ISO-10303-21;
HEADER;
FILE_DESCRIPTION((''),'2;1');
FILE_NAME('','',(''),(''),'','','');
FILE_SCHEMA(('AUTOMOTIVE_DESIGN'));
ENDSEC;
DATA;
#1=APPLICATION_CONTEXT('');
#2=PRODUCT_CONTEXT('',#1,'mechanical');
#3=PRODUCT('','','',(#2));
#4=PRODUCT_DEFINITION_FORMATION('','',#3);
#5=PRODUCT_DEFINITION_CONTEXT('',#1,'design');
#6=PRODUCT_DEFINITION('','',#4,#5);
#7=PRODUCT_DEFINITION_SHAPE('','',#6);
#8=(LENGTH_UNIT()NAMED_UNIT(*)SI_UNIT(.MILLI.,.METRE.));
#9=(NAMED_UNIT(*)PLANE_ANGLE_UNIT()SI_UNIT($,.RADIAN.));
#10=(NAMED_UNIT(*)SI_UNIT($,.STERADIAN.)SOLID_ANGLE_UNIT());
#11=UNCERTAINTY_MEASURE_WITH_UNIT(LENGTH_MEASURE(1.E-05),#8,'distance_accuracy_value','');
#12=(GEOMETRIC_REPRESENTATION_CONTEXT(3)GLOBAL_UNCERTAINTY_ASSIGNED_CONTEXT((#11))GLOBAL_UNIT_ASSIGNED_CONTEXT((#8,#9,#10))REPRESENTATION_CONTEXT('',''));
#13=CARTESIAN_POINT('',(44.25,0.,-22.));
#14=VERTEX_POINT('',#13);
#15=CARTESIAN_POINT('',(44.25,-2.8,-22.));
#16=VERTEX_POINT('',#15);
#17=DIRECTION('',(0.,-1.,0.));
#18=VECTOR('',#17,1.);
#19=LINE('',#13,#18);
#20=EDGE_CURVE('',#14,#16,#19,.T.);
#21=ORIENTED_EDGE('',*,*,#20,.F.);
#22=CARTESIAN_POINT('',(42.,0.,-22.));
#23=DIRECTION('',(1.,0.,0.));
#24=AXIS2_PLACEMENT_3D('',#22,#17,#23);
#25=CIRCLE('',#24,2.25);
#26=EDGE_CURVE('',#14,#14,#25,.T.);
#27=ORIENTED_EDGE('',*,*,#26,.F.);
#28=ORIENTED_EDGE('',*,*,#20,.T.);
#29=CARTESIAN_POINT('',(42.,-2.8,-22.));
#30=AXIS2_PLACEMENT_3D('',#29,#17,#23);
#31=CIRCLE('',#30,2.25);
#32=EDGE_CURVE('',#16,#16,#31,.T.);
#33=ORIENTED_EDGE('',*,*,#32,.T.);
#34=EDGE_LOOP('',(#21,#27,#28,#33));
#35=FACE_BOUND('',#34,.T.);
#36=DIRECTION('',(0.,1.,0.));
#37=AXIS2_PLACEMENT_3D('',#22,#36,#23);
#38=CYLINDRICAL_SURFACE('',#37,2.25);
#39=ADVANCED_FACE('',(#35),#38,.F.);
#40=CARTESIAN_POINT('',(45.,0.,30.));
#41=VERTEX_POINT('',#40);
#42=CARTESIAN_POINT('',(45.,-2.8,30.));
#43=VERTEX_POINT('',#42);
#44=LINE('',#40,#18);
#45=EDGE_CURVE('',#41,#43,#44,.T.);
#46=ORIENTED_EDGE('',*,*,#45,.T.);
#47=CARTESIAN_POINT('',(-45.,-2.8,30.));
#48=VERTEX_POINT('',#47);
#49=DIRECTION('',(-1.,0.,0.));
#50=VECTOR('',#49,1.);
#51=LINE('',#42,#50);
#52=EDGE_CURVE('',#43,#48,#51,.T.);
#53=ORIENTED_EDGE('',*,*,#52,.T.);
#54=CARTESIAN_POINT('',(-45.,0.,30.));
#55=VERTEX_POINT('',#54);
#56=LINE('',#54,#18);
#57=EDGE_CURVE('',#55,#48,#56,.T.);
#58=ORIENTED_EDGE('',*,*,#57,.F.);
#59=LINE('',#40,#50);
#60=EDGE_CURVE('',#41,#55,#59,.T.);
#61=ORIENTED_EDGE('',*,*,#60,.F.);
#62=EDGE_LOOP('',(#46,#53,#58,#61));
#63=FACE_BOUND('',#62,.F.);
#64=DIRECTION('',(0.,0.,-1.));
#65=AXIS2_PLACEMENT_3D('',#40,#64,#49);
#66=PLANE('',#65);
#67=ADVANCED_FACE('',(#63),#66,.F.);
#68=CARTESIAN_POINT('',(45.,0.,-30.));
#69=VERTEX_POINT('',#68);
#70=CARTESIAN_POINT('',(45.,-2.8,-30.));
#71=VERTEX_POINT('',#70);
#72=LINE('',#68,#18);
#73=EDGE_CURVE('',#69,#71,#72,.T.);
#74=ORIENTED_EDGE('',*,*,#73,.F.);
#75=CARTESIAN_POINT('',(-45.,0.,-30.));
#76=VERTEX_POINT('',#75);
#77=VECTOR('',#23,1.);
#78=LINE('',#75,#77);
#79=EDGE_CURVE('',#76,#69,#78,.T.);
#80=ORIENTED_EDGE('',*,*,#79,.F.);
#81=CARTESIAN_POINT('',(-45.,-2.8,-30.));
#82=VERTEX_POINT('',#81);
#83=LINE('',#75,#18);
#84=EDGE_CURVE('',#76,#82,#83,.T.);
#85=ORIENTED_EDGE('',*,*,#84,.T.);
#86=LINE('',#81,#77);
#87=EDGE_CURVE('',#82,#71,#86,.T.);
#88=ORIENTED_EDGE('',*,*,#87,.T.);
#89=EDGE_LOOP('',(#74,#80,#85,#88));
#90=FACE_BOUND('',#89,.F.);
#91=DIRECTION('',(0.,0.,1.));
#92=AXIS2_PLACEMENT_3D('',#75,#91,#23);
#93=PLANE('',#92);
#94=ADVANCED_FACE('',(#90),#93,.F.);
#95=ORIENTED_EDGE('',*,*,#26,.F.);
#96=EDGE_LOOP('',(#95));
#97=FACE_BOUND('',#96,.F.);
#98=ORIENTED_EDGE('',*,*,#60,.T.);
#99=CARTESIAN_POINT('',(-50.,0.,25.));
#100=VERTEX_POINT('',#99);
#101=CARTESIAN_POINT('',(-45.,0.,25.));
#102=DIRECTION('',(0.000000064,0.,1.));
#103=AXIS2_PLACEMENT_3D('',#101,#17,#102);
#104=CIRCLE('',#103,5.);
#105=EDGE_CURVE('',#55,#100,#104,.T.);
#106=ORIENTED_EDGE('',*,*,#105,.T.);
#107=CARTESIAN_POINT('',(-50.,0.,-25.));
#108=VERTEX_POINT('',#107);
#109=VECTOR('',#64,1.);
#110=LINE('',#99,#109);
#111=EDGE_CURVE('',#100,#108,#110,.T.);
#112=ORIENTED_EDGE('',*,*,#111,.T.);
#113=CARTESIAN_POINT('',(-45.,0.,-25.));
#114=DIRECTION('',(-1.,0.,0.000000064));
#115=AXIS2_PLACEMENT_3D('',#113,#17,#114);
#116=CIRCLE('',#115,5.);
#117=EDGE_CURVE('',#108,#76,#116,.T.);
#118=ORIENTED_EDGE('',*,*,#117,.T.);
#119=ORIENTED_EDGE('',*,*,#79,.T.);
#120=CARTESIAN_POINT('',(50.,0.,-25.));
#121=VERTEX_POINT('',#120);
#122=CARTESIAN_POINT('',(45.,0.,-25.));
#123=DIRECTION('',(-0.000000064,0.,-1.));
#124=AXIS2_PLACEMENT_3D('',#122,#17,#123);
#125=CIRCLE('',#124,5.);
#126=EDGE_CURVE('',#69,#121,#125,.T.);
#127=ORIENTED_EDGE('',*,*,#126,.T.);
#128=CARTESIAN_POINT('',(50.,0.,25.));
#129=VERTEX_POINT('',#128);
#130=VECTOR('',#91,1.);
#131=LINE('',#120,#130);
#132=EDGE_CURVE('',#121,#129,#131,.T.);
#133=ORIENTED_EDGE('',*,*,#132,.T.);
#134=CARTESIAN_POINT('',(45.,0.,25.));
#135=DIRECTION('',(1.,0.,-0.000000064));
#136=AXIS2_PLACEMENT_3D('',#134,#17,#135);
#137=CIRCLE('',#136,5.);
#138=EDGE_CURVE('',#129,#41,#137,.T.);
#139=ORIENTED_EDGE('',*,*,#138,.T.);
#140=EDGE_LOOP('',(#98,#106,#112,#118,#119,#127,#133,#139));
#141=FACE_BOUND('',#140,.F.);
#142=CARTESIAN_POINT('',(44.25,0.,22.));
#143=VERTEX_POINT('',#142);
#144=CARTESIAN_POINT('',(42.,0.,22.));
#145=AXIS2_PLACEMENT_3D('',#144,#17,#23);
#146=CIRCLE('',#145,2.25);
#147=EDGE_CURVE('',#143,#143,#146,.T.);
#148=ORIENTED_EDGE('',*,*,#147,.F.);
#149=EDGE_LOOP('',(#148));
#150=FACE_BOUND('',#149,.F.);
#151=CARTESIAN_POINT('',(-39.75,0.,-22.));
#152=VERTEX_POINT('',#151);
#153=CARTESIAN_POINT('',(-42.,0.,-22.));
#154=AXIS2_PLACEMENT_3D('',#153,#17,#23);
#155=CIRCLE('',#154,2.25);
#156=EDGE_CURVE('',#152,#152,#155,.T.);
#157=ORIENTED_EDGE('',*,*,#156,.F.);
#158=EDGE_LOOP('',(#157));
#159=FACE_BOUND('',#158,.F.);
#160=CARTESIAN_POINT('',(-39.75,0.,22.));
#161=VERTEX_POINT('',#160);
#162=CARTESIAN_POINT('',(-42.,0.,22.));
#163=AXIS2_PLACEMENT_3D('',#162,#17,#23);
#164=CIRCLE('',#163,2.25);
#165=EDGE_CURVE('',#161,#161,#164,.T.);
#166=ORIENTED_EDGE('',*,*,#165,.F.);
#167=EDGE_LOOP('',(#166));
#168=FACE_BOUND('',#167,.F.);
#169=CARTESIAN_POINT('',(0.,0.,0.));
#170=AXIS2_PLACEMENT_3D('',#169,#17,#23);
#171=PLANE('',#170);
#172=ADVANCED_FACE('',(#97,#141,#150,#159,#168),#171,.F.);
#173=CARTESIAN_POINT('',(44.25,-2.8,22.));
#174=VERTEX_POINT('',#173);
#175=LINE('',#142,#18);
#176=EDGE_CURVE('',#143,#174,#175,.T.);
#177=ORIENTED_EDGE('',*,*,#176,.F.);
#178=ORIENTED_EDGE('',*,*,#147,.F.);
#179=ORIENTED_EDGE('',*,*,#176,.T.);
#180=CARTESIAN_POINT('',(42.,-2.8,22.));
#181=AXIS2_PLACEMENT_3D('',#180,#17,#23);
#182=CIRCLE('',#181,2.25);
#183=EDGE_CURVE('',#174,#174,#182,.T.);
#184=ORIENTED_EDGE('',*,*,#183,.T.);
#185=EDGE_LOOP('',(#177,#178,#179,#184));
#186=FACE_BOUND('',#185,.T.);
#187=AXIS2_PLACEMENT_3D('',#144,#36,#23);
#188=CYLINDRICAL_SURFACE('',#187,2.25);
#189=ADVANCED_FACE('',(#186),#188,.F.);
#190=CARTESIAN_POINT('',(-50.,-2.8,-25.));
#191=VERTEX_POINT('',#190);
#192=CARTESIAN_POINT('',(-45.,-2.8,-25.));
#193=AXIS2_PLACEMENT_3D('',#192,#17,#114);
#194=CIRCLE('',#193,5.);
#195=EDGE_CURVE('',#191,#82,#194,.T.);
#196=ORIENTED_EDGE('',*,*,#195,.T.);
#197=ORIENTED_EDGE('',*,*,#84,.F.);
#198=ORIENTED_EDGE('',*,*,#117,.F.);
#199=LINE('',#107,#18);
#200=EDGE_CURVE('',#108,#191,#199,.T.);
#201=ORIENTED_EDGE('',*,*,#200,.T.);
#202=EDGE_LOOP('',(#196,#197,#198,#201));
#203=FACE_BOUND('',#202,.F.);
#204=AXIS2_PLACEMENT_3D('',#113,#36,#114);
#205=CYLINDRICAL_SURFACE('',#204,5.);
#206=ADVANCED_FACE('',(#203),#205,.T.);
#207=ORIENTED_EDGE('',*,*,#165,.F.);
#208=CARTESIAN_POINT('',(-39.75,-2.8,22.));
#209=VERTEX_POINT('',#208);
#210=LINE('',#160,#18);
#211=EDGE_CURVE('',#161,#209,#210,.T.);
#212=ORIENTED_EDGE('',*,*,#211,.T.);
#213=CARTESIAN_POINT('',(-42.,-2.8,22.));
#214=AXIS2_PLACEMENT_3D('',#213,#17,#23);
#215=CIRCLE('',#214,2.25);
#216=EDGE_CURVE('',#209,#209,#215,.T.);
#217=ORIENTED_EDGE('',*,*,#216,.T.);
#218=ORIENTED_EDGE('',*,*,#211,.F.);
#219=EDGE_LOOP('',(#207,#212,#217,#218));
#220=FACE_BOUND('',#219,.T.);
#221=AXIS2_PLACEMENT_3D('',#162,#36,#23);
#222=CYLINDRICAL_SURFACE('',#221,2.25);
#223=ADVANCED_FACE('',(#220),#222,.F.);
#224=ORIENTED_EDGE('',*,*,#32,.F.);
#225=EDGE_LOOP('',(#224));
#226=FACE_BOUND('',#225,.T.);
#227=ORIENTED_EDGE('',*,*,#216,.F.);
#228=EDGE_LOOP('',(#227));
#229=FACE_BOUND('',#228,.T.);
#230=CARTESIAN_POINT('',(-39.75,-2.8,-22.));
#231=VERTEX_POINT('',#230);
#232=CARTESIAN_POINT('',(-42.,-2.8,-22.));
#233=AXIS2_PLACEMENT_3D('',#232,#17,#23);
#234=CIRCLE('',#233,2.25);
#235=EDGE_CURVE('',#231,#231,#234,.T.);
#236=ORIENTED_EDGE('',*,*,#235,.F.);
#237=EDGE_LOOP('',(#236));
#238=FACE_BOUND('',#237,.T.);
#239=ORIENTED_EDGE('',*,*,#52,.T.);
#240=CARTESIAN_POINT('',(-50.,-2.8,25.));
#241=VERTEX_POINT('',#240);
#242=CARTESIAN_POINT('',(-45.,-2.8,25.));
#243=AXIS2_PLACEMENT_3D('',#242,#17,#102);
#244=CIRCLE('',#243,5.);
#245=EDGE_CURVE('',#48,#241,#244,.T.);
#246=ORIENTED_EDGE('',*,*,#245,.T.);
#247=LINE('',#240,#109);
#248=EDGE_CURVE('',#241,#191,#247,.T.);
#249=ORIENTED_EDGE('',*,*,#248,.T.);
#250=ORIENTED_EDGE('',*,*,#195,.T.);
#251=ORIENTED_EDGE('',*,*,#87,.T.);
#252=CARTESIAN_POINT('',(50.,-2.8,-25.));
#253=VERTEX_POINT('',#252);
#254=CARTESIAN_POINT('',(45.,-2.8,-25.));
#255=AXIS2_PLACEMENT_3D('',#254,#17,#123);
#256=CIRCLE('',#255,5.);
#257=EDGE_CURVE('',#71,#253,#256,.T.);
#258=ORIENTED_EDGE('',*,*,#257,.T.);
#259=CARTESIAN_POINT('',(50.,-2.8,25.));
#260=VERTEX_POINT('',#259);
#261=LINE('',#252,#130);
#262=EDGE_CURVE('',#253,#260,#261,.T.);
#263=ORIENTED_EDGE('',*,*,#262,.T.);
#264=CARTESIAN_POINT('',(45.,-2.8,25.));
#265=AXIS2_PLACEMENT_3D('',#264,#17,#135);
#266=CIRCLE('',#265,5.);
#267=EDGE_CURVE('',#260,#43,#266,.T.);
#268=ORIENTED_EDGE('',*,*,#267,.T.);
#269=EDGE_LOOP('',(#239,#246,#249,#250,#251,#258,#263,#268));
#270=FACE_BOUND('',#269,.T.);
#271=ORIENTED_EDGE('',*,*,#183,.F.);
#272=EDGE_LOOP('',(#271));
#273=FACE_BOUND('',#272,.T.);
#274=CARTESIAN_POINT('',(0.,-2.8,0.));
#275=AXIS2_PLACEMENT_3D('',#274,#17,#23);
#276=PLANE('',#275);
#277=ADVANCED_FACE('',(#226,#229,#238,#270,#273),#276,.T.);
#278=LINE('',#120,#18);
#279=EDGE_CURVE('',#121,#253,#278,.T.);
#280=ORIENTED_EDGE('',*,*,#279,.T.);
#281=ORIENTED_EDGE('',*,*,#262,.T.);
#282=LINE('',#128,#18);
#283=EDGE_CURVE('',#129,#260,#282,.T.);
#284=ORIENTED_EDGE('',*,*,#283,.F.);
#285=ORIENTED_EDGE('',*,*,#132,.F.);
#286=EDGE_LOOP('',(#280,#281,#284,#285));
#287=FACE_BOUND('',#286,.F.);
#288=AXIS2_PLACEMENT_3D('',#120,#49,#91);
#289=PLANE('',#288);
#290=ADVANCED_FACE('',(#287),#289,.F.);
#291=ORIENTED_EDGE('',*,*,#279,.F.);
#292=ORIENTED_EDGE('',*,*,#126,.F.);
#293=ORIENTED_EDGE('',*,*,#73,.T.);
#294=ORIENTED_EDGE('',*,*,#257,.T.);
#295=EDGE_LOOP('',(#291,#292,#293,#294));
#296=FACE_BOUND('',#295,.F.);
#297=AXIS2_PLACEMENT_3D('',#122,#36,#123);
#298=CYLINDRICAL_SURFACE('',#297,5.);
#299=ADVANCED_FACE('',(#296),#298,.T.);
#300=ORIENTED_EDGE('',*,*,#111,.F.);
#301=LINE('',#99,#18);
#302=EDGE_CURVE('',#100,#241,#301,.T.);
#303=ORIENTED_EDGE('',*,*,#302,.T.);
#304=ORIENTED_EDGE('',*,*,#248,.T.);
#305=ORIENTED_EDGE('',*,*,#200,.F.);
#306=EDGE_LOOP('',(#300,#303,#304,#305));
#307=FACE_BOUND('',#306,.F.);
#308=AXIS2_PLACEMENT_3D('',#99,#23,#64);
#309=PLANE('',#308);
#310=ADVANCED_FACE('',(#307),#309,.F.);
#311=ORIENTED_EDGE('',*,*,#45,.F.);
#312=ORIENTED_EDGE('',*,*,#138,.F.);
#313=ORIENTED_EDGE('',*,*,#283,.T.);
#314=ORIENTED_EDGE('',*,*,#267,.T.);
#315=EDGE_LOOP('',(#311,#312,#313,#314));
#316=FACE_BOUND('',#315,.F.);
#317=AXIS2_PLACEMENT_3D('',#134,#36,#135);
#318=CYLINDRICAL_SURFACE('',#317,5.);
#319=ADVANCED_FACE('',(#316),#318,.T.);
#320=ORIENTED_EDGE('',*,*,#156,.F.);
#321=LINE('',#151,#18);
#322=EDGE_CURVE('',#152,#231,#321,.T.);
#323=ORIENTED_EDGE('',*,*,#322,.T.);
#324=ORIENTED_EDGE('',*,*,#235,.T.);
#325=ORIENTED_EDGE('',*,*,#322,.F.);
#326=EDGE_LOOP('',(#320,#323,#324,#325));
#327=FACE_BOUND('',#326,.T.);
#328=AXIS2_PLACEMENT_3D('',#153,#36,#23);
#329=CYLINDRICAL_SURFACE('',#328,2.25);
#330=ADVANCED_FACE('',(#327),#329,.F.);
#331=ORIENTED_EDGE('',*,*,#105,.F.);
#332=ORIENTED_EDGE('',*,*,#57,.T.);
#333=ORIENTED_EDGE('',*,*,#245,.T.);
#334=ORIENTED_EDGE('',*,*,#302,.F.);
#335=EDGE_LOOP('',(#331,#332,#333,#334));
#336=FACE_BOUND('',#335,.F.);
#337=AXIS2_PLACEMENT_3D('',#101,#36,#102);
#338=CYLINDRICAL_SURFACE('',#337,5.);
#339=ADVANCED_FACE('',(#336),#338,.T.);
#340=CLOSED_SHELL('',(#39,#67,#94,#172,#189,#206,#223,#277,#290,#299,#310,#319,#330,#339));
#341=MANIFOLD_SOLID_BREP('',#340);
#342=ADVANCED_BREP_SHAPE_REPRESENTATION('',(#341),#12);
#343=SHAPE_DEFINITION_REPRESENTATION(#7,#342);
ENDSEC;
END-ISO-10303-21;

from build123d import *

# Parameters (mm, degrees)
F0_R     = 2.25
F1_DEPTH = 2.8


with BuildPart() as f1:
    # F0 (on Front) → F1 (new body)
    with BuildSketch(Plane.XZ):
        with BuildLine():
            Line((-45, -30), (45, -30))
            ThreePointArc((45, -30), (48.535534, -28.535534), (50, -25))
            Line((50, -25), (50, 25))
            ThreePointArc((50, 25), (48.535534, 28.535534), (45, 30))
            Line((45, 30), (-45, 30))
            ThreePointArc((-45, 30), (-48.535534, 28.535534), (-50, 25))
            Line((-50, 25), (-50, -25))
            ThreePointArc((-50, -25), (-48.535534, -28.535534), (-45, -30))
        make_face()
        with BuildLine():
            ThreePointArc((45, 27.000001), (46.414214, 26.414214), (47.000001, 25))
            Line((47.000001, 25), (47.000001, -25))
            ThreePointArc((47.000001, -25), (46.414214, -26.414214), (45, -27.000001))
            Line((45, -27.000001), (-45, -27.000001))
            ThreePointArc((-45, -27.000001), (-46.414214, -26.414214), (-47.000001, -25))
            Line((-47.000001, -25), (-47.000001, 25))
            ThreePointArc((-47.000001, 25), (-46.414214, 26.414214), (-45, 27.000001))
            Line((-45, 27.000001), (45, 27.000001))
        make_face(mode=Mode.SUBTRACT)
        with BuildLine():
            Line((47.000001, -25), (47.000001, 25))
            ThreePointArc((47.000001, 25), (46.414214, 26.414214), (45, 27.000001))
            Line((45, 27.000001), (-45, 27.000001))
            ThreePointArc((-45, 27.000001), (-46.414214, 26.414214), (-47.000001, 25))
            Line((-47.000001, 25), (-47.000001, -25))
            ThreePointArc((-47.000001, -25), (-46.414214, -26.414214), (-45, -27.000001))
            Line((-45, -27.000001), (45, -27.000001))
            ThreePointArc((45, -27.000001), (46.414214, -26.414214), (47.000001, -25))
        make_face()
        with Locations((-42, -22)):
            Circle(F0_R, mode=Mode.SUBTRACT)
        with Locations((42, -22)):
            Circle(F0_R, mode=Mode.SUBTRACT)
        with Locations((-42, 22)):
            Circle(F0_R, mode=Mode.SUBTRACT)
        with Locations((42, 22)):
            Circle(F0_R, mode=Mode.SUBTRACT)
    extrude(amount=F1_DEPTH)


solid = f1.part
